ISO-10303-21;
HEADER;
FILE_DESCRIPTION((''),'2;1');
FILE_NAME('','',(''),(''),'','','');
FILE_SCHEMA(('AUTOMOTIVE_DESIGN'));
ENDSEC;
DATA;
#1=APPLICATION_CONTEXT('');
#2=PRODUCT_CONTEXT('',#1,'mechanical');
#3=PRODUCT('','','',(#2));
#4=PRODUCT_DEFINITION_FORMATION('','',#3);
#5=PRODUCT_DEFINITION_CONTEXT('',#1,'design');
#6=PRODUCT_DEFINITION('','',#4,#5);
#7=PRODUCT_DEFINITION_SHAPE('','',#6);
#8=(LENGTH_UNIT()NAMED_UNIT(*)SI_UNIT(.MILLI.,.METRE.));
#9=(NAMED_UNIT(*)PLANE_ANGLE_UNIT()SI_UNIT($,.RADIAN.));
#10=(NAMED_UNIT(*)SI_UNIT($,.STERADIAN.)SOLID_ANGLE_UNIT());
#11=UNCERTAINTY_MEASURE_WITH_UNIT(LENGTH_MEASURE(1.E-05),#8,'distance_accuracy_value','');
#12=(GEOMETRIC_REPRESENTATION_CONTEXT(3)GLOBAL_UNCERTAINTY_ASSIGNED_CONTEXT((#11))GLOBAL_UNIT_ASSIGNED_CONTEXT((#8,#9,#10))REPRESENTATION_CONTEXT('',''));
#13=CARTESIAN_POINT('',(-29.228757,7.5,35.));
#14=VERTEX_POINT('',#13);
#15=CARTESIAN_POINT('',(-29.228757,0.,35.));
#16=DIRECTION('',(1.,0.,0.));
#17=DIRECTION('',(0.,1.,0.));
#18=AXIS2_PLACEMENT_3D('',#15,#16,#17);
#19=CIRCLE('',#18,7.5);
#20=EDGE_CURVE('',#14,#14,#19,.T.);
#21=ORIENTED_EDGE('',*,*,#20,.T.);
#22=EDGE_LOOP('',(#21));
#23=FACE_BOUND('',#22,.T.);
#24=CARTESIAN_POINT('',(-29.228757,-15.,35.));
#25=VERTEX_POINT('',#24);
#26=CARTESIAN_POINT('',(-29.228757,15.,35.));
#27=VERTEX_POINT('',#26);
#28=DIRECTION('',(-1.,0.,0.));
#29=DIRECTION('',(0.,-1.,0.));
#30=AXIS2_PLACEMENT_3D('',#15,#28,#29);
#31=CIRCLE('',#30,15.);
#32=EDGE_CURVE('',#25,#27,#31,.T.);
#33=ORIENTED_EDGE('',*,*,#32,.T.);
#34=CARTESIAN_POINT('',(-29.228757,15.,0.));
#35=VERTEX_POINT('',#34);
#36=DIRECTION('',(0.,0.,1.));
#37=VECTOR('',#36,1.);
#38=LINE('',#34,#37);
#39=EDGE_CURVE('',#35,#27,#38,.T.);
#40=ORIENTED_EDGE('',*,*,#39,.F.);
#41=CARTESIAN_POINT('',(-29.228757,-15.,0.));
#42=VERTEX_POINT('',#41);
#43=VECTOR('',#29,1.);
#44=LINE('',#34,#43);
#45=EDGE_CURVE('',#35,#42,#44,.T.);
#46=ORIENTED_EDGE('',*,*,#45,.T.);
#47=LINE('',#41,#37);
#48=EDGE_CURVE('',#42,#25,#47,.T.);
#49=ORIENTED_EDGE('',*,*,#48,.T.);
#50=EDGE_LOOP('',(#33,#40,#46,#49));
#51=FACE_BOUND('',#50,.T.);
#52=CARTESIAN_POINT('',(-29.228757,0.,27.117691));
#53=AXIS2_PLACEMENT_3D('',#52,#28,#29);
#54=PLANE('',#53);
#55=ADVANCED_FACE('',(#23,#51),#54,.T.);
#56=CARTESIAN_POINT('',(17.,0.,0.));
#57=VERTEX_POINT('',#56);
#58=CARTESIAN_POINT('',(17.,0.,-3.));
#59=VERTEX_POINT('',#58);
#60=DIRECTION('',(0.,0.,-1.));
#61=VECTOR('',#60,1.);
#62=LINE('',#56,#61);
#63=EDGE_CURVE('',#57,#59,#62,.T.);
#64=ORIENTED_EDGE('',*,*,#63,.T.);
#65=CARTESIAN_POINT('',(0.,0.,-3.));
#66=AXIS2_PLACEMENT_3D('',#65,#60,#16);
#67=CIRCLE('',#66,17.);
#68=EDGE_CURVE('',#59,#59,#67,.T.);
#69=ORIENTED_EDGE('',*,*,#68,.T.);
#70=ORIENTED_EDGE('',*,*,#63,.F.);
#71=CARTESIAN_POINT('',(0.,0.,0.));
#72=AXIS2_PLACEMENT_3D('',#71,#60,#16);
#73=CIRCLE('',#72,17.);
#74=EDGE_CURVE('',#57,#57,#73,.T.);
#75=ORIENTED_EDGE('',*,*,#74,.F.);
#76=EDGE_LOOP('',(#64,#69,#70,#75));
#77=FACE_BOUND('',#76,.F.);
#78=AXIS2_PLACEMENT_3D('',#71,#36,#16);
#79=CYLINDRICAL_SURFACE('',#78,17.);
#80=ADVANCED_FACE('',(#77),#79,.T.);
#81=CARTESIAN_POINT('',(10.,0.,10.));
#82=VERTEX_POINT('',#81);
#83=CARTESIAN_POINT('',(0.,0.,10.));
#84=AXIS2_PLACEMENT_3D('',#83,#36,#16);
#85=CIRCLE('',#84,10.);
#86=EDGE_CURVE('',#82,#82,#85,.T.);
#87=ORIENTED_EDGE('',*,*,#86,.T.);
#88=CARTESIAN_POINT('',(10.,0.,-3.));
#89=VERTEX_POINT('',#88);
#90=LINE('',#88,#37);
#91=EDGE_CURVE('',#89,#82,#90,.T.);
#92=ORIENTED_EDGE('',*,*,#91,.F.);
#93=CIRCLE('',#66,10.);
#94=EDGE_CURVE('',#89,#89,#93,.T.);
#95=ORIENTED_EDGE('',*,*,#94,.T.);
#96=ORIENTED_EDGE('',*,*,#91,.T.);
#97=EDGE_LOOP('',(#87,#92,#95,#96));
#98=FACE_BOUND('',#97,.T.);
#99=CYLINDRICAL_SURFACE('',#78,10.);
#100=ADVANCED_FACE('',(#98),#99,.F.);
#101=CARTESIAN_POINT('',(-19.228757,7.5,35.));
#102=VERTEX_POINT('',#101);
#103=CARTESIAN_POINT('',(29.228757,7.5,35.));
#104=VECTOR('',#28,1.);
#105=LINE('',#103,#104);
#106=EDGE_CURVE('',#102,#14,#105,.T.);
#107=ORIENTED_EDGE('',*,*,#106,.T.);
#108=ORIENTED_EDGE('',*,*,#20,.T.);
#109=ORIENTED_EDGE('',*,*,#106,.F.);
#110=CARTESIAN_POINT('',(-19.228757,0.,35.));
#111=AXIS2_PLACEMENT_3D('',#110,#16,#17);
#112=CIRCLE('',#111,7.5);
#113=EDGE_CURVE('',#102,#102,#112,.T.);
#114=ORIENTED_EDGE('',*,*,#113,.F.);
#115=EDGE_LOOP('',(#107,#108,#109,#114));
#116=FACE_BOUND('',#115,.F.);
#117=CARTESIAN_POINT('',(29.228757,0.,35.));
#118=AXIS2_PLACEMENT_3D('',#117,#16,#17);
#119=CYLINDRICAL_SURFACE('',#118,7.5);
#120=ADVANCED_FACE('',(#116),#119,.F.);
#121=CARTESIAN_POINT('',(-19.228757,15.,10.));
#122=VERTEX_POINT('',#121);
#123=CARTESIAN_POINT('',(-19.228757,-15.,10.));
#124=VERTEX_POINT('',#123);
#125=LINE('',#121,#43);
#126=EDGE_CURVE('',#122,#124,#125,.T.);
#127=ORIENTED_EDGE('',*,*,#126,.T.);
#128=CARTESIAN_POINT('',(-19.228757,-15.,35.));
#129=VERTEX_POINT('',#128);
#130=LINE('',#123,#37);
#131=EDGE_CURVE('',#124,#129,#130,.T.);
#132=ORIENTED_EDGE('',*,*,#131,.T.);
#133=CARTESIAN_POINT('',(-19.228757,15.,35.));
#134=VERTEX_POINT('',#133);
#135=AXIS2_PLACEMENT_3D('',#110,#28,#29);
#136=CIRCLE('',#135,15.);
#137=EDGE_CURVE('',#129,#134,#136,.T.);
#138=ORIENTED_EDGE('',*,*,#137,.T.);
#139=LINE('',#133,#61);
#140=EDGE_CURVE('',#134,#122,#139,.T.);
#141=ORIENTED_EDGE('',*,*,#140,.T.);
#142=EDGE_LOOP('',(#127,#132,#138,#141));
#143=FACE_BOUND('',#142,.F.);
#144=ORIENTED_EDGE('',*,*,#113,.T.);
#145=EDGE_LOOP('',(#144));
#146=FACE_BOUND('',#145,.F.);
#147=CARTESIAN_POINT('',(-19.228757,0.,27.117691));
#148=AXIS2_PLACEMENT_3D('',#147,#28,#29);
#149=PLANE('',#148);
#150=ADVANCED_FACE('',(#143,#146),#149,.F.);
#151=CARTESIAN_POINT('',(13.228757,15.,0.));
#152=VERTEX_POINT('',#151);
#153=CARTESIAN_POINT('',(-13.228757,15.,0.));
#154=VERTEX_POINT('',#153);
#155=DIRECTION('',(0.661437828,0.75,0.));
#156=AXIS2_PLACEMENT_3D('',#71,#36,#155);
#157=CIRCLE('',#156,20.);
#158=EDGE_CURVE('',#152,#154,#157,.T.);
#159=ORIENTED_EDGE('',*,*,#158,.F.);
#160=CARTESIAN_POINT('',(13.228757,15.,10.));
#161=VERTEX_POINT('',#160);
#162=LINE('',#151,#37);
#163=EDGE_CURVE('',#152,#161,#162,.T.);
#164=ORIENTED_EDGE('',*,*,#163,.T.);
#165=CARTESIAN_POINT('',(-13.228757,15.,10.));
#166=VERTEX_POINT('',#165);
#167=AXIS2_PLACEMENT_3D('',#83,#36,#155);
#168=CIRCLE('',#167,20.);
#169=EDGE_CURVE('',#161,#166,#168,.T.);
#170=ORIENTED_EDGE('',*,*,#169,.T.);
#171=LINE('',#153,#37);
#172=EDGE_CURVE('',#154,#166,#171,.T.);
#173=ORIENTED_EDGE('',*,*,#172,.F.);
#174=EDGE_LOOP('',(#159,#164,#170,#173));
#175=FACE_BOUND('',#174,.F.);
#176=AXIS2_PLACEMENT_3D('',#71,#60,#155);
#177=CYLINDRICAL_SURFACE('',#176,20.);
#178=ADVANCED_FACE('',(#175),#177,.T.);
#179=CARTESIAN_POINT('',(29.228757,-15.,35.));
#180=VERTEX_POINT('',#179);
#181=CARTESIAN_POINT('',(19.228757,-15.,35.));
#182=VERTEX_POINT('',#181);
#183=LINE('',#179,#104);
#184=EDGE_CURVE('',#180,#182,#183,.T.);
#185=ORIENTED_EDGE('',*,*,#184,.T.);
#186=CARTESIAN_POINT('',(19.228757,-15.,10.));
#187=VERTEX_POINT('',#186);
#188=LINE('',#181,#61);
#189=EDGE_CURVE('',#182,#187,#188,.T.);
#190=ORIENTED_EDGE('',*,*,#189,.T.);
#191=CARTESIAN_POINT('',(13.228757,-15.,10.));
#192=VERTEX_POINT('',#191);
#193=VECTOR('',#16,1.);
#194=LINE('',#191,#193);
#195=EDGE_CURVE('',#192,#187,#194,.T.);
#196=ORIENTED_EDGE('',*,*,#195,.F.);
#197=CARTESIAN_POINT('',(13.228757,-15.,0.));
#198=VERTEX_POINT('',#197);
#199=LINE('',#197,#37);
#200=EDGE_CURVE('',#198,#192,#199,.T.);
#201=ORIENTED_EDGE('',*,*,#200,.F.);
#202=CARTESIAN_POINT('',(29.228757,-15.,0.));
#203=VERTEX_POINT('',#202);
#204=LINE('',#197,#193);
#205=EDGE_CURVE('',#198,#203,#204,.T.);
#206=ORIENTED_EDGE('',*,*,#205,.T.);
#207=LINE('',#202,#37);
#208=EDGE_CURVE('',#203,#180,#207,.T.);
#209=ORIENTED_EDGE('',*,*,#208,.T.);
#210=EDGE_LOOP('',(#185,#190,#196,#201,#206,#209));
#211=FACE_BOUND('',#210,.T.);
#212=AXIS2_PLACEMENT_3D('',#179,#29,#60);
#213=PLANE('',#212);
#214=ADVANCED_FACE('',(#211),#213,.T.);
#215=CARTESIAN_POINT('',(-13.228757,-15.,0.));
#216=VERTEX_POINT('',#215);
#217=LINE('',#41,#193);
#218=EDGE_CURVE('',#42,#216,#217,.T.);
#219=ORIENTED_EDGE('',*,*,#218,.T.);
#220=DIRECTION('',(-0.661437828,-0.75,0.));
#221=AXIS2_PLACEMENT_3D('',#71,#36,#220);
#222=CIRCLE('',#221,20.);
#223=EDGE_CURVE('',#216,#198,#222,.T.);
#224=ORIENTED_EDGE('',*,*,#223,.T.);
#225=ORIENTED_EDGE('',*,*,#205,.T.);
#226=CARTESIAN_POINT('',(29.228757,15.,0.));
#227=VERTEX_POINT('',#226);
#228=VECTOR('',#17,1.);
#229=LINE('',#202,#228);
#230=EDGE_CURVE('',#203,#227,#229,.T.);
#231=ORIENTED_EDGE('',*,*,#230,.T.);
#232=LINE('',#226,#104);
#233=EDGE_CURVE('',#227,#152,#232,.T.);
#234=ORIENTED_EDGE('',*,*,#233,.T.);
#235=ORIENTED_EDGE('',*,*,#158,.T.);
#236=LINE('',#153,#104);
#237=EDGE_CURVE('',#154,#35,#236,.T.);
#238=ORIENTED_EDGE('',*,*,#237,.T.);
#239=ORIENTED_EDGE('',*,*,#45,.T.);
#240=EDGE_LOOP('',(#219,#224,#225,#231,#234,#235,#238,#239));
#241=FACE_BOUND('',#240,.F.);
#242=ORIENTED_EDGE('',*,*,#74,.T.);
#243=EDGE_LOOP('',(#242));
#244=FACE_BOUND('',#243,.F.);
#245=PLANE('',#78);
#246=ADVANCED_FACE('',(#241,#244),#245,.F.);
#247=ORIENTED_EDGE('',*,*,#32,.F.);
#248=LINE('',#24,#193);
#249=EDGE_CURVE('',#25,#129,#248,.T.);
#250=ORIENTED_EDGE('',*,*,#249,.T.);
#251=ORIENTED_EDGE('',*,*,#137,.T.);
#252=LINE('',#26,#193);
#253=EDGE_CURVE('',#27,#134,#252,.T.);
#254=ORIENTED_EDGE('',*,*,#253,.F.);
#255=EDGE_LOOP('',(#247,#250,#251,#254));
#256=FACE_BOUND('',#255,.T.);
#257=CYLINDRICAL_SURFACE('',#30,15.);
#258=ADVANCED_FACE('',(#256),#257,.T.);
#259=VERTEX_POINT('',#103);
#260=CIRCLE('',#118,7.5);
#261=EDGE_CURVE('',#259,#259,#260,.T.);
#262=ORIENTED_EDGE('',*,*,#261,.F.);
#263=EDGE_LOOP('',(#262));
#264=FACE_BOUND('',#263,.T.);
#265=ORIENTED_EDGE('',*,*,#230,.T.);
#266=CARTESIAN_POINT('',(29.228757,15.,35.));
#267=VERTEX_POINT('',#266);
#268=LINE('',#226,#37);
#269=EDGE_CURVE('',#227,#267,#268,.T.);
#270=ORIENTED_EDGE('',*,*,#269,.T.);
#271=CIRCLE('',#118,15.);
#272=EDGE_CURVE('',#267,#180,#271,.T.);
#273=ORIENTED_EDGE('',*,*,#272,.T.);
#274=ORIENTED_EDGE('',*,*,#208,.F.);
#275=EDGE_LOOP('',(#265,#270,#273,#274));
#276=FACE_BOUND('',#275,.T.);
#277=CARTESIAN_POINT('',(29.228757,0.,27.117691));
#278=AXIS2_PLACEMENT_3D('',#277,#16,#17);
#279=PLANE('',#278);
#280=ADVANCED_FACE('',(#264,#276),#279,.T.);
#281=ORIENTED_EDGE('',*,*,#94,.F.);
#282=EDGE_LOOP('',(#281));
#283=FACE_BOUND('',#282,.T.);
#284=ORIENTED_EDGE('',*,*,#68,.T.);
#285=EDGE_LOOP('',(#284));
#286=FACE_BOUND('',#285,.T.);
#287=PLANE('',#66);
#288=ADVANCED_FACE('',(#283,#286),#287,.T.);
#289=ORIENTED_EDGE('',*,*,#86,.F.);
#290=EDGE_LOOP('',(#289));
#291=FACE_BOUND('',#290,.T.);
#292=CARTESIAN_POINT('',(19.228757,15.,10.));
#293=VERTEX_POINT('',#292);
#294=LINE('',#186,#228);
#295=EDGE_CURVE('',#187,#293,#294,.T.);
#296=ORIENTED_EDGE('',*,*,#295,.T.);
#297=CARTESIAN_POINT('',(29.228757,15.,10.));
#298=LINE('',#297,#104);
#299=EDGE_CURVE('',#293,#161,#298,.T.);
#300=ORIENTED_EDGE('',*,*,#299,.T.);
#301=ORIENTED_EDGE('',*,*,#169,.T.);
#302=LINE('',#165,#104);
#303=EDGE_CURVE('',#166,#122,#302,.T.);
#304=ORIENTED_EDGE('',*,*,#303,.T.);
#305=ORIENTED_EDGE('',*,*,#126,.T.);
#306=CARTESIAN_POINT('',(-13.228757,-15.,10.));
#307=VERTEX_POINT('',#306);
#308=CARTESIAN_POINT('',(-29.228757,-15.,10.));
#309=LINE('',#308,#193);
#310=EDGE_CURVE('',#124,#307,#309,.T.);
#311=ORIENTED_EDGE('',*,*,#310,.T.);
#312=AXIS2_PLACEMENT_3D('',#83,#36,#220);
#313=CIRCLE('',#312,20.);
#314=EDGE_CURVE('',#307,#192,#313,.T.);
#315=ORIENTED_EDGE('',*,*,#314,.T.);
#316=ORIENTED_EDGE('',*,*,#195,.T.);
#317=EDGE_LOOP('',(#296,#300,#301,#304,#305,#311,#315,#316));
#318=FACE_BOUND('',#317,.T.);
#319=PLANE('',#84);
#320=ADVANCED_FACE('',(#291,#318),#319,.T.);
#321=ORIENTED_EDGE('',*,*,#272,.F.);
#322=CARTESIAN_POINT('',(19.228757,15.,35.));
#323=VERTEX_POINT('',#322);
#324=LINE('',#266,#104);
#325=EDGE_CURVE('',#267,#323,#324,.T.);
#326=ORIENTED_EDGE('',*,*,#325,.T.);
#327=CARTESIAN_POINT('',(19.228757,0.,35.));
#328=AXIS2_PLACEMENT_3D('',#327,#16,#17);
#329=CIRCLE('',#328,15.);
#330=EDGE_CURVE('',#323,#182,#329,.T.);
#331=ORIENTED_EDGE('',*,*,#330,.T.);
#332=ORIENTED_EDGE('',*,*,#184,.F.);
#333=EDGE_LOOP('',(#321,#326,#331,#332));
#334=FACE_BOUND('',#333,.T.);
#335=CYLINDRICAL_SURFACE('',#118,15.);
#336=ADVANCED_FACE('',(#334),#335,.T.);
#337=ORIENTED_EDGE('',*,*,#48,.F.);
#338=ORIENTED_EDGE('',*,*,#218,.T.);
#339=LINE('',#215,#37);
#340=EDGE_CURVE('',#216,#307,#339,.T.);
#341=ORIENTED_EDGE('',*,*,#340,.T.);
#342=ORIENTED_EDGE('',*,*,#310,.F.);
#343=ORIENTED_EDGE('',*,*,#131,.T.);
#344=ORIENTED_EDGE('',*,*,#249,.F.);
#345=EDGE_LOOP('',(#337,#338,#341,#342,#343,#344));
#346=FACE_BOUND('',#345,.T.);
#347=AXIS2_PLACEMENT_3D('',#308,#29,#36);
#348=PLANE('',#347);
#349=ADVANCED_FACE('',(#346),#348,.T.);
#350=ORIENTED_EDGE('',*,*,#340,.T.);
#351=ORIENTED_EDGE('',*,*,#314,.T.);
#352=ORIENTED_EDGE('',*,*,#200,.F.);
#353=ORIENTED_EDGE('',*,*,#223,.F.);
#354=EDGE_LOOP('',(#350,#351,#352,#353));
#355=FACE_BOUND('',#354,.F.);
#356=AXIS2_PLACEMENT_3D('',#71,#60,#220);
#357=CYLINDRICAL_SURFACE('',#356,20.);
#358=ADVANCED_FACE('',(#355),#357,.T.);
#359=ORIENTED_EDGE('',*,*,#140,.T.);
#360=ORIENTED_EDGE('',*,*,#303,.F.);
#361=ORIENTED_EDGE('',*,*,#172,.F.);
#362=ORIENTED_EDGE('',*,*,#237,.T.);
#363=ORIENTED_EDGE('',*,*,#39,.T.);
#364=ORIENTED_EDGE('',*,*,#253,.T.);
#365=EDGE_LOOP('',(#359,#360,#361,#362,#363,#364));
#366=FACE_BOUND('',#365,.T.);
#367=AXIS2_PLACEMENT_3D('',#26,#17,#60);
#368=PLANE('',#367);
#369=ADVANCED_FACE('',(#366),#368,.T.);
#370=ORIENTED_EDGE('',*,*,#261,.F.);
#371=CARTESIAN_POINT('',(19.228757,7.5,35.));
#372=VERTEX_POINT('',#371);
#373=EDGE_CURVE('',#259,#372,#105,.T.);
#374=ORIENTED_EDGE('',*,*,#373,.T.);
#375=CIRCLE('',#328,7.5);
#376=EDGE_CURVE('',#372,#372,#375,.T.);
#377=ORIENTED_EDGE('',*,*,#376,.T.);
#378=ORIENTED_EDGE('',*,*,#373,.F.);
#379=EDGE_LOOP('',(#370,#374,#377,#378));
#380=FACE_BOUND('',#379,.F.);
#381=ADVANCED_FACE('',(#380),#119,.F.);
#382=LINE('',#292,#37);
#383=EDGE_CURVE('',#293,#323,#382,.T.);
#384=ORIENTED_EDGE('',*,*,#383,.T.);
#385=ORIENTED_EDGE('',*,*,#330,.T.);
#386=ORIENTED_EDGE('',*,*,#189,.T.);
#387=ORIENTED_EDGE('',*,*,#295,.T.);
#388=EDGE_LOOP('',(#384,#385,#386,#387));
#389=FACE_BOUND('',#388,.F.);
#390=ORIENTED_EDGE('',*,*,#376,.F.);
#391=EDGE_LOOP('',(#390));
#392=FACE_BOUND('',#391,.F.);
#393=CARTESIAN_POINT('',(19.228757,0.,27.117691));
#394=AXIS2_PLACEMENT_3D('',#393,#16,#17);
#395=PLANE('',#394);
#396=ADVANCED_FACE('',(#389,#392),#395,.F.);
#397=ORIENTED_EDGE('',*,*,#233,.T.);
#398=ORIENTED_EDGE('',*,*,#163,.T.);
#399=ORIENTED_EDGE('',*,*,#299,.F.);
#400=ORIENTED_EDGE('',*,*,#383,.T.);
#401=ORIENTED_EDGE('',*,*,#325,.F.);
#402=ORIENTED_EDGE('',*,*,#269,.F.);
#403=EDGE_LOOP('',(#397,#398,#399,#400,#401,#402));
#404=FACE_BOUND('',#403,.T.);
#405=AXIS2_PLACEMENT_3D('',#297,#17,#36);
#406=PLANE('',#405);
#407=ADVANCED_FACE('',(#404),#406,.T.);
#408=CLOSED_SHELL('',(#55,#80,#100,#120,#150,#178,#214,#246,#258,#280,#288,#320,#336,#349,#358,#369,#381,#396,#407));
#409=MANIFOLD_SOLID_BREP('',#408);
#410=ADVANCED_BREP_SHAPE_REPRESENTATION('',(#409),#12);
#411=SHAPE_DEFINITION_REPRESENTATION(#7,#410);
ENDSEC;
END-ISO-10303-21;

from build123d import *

# Parameters (mm, degrees)
F1_DEPTH  = 10
F3_DEPTH  = 10
F5_DEPTH  = 10
F6_R      = 10
F7_DEPTH  = 10.001
F8_R      = 17
F8_R_2    = 10
F9_DEPTH  = 3
F10_R     = 7.5
F11_DEPTH = 58.4585131106


with BuildPart() as f1:
    # F0 (on Top) → F1 (new body)
    with BuildSketch(Plane.XY):
        with BuildLine():
            Line((-29.2287565553, 15), (-29.2287565553, -15))
            Line((-29.2287565553, -15), (-13.2287565553, -15))
            ThreePointArc((-13.2287565553, -15), (0, -20), (13.2287565553, -15))
            Line((13.2287565553, -15), (29.2287565553, -15))
            Line((29.2287565553, -15), (29.2287565553, 15))
            Line((29.2287565553, 15), (13.2287565553, 15))
            ThreePointArc((13.2287565553, 15), (0, 20), (-13.2287565553, 15))
            Line((-13.2287565553, 15), (-29.2287565553, 15))
        make_face()
    extrude(amount=F1_DEPTH)

    # F2 (on face) → F3 (join)
    with BuildSketch(Plane.YZ.offset(29.2287565553)):
        with BuildLine():
            Line((-15, 35), (-15, 10))
            Line((-15, 10), (15, 10))
            Line((15, 10), (15, 35))
            ThreePointArc((15, 35), (0, 50), (-15, 35))
        make_face()
    extrude(amount=-F3_DEPTH)

    # F4 (on face) → F5 (join)
    with BuildSketch(Plane(origin=(-29.2287565553, 0, 0), x_dir=(0, -1, 0), z_dir=(-1, 0, 0))):
        with BuildLine():
            Line((-15, 35), (-15, 10))
            Line((-15, 10), (15, 10))
            Line((15, 10), (15, 35))
            ThreePointArc((15, 35), (0, 50), (-15, 35))
        make_face()
    extrude(amount=-F5_DEPTH)

    # F6 (on face) → F7 (cut, through all)
    with BuildSketch(Plane.XY.offset(10)):
        Circle(F6_R)
    extrude(amount=-F7_DEPTH, mode=Mode.SUBTRACT)

    # F8 (on face) → F9 (join)
    with BuildSketch(Plane(origin=(0, 0, 0), x_dir=(1, 0, 0), z_dir=(0, 0, -1))):
        Circle(F8_R)
        Circle(F8_R_2, mode=Mode.SUBTRACT)
    extrude(amount=F9_DEPTH)

    # F10 (on face) → F11 (cut, through all)
    with BuildSketch(Plane.YZ.offset(29.2287565553)):
        with Locations((0, 35)):
            Circle(F10_R)
    extrude(amount=-F11_DEPTH, mode=Mode.SUBTRACT)


solid = f1.part
